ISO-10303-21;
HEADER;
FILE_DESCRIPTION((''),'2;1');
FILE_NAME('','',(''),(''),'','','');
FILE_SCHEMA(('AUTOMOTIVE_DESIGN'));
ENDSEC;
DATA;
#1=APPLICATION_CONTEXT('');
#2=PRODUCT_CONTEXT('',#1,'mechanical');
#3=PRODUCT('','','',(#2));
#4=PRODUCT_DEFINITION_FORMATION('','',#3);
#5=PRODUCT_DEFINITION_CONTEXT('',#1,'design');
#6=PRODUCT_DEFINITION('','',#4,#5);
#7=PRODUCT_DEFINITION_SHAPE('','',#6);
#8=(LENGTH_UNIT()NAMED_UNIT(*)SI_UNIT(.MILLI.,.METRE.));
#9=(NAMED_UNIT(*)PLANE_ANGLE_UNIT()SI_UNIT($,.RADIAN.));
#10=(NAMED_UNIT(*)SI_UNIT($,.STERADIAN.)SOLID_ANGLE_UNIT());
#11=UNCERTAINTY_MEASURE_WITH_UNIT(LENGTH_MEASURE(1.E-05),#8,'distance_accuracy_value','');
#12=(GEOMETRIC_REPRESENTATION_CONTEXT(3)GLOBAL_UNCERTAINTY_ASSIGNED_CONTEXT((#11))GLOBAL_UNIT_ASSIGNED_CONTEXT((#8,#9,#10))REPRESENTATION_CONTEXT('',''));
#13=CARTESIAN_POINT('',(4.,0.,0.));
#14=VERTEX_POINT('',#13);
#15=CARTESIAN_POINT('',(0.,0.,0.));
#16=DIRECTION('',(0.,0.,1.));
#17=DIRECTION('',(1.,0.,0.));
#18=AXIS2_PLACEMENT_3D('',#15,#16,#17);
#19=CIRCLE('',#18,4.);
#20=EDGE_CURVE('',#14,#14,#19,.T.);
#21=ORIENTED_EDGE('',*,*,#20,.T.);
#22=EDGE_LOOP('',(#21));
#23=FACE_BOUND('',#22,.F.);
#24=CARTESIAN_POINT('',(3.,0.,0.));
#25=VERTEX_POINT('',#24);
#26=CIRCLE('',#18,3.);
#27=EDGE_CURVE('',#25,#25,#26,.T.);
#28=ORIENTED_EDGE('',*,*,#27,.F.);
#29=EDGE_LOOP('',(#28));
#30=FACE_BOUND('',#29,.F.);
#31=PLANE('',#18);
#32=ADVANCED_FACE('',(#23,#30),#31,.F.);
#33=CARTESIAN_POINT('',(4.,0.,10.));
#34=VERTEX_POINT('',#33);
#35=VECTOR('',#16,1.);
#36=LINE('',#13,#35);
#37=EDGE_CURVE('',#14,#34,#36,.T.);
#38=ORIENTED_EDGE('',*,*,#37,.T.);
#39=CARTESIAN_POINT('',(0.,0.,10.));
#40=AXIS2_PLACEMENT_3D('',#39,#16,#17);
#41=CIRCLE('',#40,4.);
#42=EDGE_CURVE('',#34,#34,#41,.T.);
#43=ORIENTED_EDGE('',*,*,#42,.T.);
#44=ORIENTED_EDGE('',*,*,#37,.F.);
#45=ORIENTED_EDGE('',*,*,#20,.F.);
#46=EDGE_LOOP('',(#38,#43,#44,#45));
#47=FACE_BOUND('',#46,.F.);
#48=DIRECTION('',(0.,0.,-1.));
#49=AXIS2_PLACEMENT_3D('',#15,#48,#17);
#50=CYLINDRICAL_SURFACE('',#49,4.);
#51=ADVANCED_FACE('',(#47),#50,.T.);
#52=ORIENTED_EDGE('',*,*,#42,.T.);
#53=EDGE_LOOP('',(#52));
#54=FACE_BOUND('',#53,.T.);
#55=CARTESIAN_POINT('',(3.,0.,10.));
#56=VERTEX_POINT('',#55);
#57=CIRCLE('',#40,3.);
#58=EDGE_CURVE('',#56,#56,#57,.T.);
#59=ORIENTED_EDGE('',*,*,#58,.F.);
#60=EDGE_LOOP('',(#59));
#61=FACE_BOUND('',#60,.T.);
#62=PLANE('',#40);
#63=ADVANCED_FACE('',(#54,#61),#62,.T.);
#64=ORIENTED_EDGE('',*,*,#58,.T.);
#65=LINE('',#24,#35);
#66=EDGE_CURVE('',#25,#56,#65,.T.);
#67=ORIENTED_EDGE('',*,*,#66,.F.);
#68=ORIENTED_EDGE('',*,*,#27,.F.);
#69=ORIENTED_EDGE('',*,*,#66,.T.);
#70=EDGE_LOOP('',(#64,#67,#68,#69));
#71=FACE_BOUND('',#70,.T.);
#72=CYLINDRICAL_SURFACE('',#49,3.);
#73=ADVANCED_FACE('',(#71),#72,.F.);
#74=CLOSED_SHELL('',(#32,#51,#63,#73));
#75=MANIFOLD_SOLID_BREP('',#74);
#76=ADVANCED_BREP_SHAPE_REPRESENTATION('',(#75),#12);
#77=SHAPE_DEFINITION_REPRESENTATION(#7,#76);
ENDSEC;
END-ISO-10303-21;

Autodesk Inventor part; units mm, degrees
ref_plane "YZ Plane" through (0, 0, 0) normal (1, 0, 0) x (0, 1, 0)
ref_plane "XZ Plane" through (0, 0, 0) normal (0, 1, 0) x (-1, 0, 0)
ref_plane "XY Plane" through (0, 0, 0) normal (0, 0, 1) x (1, 0, 0)
sketch "スケッチ1" plane through (0, 0, 0) normal (0, 0, 1) x (1, 0, 0)
  circle A0 centre (0, 0) radius 3
  circle A1 centre (0, 0) radius 4
  dimension "d0" = 6
  dimension "d1" = 8
extrude "押し出し1" add sketch "スケッチ1" along normal blind 10
properties part number "オイレス060810" material "アセタール樹脂、黒"
